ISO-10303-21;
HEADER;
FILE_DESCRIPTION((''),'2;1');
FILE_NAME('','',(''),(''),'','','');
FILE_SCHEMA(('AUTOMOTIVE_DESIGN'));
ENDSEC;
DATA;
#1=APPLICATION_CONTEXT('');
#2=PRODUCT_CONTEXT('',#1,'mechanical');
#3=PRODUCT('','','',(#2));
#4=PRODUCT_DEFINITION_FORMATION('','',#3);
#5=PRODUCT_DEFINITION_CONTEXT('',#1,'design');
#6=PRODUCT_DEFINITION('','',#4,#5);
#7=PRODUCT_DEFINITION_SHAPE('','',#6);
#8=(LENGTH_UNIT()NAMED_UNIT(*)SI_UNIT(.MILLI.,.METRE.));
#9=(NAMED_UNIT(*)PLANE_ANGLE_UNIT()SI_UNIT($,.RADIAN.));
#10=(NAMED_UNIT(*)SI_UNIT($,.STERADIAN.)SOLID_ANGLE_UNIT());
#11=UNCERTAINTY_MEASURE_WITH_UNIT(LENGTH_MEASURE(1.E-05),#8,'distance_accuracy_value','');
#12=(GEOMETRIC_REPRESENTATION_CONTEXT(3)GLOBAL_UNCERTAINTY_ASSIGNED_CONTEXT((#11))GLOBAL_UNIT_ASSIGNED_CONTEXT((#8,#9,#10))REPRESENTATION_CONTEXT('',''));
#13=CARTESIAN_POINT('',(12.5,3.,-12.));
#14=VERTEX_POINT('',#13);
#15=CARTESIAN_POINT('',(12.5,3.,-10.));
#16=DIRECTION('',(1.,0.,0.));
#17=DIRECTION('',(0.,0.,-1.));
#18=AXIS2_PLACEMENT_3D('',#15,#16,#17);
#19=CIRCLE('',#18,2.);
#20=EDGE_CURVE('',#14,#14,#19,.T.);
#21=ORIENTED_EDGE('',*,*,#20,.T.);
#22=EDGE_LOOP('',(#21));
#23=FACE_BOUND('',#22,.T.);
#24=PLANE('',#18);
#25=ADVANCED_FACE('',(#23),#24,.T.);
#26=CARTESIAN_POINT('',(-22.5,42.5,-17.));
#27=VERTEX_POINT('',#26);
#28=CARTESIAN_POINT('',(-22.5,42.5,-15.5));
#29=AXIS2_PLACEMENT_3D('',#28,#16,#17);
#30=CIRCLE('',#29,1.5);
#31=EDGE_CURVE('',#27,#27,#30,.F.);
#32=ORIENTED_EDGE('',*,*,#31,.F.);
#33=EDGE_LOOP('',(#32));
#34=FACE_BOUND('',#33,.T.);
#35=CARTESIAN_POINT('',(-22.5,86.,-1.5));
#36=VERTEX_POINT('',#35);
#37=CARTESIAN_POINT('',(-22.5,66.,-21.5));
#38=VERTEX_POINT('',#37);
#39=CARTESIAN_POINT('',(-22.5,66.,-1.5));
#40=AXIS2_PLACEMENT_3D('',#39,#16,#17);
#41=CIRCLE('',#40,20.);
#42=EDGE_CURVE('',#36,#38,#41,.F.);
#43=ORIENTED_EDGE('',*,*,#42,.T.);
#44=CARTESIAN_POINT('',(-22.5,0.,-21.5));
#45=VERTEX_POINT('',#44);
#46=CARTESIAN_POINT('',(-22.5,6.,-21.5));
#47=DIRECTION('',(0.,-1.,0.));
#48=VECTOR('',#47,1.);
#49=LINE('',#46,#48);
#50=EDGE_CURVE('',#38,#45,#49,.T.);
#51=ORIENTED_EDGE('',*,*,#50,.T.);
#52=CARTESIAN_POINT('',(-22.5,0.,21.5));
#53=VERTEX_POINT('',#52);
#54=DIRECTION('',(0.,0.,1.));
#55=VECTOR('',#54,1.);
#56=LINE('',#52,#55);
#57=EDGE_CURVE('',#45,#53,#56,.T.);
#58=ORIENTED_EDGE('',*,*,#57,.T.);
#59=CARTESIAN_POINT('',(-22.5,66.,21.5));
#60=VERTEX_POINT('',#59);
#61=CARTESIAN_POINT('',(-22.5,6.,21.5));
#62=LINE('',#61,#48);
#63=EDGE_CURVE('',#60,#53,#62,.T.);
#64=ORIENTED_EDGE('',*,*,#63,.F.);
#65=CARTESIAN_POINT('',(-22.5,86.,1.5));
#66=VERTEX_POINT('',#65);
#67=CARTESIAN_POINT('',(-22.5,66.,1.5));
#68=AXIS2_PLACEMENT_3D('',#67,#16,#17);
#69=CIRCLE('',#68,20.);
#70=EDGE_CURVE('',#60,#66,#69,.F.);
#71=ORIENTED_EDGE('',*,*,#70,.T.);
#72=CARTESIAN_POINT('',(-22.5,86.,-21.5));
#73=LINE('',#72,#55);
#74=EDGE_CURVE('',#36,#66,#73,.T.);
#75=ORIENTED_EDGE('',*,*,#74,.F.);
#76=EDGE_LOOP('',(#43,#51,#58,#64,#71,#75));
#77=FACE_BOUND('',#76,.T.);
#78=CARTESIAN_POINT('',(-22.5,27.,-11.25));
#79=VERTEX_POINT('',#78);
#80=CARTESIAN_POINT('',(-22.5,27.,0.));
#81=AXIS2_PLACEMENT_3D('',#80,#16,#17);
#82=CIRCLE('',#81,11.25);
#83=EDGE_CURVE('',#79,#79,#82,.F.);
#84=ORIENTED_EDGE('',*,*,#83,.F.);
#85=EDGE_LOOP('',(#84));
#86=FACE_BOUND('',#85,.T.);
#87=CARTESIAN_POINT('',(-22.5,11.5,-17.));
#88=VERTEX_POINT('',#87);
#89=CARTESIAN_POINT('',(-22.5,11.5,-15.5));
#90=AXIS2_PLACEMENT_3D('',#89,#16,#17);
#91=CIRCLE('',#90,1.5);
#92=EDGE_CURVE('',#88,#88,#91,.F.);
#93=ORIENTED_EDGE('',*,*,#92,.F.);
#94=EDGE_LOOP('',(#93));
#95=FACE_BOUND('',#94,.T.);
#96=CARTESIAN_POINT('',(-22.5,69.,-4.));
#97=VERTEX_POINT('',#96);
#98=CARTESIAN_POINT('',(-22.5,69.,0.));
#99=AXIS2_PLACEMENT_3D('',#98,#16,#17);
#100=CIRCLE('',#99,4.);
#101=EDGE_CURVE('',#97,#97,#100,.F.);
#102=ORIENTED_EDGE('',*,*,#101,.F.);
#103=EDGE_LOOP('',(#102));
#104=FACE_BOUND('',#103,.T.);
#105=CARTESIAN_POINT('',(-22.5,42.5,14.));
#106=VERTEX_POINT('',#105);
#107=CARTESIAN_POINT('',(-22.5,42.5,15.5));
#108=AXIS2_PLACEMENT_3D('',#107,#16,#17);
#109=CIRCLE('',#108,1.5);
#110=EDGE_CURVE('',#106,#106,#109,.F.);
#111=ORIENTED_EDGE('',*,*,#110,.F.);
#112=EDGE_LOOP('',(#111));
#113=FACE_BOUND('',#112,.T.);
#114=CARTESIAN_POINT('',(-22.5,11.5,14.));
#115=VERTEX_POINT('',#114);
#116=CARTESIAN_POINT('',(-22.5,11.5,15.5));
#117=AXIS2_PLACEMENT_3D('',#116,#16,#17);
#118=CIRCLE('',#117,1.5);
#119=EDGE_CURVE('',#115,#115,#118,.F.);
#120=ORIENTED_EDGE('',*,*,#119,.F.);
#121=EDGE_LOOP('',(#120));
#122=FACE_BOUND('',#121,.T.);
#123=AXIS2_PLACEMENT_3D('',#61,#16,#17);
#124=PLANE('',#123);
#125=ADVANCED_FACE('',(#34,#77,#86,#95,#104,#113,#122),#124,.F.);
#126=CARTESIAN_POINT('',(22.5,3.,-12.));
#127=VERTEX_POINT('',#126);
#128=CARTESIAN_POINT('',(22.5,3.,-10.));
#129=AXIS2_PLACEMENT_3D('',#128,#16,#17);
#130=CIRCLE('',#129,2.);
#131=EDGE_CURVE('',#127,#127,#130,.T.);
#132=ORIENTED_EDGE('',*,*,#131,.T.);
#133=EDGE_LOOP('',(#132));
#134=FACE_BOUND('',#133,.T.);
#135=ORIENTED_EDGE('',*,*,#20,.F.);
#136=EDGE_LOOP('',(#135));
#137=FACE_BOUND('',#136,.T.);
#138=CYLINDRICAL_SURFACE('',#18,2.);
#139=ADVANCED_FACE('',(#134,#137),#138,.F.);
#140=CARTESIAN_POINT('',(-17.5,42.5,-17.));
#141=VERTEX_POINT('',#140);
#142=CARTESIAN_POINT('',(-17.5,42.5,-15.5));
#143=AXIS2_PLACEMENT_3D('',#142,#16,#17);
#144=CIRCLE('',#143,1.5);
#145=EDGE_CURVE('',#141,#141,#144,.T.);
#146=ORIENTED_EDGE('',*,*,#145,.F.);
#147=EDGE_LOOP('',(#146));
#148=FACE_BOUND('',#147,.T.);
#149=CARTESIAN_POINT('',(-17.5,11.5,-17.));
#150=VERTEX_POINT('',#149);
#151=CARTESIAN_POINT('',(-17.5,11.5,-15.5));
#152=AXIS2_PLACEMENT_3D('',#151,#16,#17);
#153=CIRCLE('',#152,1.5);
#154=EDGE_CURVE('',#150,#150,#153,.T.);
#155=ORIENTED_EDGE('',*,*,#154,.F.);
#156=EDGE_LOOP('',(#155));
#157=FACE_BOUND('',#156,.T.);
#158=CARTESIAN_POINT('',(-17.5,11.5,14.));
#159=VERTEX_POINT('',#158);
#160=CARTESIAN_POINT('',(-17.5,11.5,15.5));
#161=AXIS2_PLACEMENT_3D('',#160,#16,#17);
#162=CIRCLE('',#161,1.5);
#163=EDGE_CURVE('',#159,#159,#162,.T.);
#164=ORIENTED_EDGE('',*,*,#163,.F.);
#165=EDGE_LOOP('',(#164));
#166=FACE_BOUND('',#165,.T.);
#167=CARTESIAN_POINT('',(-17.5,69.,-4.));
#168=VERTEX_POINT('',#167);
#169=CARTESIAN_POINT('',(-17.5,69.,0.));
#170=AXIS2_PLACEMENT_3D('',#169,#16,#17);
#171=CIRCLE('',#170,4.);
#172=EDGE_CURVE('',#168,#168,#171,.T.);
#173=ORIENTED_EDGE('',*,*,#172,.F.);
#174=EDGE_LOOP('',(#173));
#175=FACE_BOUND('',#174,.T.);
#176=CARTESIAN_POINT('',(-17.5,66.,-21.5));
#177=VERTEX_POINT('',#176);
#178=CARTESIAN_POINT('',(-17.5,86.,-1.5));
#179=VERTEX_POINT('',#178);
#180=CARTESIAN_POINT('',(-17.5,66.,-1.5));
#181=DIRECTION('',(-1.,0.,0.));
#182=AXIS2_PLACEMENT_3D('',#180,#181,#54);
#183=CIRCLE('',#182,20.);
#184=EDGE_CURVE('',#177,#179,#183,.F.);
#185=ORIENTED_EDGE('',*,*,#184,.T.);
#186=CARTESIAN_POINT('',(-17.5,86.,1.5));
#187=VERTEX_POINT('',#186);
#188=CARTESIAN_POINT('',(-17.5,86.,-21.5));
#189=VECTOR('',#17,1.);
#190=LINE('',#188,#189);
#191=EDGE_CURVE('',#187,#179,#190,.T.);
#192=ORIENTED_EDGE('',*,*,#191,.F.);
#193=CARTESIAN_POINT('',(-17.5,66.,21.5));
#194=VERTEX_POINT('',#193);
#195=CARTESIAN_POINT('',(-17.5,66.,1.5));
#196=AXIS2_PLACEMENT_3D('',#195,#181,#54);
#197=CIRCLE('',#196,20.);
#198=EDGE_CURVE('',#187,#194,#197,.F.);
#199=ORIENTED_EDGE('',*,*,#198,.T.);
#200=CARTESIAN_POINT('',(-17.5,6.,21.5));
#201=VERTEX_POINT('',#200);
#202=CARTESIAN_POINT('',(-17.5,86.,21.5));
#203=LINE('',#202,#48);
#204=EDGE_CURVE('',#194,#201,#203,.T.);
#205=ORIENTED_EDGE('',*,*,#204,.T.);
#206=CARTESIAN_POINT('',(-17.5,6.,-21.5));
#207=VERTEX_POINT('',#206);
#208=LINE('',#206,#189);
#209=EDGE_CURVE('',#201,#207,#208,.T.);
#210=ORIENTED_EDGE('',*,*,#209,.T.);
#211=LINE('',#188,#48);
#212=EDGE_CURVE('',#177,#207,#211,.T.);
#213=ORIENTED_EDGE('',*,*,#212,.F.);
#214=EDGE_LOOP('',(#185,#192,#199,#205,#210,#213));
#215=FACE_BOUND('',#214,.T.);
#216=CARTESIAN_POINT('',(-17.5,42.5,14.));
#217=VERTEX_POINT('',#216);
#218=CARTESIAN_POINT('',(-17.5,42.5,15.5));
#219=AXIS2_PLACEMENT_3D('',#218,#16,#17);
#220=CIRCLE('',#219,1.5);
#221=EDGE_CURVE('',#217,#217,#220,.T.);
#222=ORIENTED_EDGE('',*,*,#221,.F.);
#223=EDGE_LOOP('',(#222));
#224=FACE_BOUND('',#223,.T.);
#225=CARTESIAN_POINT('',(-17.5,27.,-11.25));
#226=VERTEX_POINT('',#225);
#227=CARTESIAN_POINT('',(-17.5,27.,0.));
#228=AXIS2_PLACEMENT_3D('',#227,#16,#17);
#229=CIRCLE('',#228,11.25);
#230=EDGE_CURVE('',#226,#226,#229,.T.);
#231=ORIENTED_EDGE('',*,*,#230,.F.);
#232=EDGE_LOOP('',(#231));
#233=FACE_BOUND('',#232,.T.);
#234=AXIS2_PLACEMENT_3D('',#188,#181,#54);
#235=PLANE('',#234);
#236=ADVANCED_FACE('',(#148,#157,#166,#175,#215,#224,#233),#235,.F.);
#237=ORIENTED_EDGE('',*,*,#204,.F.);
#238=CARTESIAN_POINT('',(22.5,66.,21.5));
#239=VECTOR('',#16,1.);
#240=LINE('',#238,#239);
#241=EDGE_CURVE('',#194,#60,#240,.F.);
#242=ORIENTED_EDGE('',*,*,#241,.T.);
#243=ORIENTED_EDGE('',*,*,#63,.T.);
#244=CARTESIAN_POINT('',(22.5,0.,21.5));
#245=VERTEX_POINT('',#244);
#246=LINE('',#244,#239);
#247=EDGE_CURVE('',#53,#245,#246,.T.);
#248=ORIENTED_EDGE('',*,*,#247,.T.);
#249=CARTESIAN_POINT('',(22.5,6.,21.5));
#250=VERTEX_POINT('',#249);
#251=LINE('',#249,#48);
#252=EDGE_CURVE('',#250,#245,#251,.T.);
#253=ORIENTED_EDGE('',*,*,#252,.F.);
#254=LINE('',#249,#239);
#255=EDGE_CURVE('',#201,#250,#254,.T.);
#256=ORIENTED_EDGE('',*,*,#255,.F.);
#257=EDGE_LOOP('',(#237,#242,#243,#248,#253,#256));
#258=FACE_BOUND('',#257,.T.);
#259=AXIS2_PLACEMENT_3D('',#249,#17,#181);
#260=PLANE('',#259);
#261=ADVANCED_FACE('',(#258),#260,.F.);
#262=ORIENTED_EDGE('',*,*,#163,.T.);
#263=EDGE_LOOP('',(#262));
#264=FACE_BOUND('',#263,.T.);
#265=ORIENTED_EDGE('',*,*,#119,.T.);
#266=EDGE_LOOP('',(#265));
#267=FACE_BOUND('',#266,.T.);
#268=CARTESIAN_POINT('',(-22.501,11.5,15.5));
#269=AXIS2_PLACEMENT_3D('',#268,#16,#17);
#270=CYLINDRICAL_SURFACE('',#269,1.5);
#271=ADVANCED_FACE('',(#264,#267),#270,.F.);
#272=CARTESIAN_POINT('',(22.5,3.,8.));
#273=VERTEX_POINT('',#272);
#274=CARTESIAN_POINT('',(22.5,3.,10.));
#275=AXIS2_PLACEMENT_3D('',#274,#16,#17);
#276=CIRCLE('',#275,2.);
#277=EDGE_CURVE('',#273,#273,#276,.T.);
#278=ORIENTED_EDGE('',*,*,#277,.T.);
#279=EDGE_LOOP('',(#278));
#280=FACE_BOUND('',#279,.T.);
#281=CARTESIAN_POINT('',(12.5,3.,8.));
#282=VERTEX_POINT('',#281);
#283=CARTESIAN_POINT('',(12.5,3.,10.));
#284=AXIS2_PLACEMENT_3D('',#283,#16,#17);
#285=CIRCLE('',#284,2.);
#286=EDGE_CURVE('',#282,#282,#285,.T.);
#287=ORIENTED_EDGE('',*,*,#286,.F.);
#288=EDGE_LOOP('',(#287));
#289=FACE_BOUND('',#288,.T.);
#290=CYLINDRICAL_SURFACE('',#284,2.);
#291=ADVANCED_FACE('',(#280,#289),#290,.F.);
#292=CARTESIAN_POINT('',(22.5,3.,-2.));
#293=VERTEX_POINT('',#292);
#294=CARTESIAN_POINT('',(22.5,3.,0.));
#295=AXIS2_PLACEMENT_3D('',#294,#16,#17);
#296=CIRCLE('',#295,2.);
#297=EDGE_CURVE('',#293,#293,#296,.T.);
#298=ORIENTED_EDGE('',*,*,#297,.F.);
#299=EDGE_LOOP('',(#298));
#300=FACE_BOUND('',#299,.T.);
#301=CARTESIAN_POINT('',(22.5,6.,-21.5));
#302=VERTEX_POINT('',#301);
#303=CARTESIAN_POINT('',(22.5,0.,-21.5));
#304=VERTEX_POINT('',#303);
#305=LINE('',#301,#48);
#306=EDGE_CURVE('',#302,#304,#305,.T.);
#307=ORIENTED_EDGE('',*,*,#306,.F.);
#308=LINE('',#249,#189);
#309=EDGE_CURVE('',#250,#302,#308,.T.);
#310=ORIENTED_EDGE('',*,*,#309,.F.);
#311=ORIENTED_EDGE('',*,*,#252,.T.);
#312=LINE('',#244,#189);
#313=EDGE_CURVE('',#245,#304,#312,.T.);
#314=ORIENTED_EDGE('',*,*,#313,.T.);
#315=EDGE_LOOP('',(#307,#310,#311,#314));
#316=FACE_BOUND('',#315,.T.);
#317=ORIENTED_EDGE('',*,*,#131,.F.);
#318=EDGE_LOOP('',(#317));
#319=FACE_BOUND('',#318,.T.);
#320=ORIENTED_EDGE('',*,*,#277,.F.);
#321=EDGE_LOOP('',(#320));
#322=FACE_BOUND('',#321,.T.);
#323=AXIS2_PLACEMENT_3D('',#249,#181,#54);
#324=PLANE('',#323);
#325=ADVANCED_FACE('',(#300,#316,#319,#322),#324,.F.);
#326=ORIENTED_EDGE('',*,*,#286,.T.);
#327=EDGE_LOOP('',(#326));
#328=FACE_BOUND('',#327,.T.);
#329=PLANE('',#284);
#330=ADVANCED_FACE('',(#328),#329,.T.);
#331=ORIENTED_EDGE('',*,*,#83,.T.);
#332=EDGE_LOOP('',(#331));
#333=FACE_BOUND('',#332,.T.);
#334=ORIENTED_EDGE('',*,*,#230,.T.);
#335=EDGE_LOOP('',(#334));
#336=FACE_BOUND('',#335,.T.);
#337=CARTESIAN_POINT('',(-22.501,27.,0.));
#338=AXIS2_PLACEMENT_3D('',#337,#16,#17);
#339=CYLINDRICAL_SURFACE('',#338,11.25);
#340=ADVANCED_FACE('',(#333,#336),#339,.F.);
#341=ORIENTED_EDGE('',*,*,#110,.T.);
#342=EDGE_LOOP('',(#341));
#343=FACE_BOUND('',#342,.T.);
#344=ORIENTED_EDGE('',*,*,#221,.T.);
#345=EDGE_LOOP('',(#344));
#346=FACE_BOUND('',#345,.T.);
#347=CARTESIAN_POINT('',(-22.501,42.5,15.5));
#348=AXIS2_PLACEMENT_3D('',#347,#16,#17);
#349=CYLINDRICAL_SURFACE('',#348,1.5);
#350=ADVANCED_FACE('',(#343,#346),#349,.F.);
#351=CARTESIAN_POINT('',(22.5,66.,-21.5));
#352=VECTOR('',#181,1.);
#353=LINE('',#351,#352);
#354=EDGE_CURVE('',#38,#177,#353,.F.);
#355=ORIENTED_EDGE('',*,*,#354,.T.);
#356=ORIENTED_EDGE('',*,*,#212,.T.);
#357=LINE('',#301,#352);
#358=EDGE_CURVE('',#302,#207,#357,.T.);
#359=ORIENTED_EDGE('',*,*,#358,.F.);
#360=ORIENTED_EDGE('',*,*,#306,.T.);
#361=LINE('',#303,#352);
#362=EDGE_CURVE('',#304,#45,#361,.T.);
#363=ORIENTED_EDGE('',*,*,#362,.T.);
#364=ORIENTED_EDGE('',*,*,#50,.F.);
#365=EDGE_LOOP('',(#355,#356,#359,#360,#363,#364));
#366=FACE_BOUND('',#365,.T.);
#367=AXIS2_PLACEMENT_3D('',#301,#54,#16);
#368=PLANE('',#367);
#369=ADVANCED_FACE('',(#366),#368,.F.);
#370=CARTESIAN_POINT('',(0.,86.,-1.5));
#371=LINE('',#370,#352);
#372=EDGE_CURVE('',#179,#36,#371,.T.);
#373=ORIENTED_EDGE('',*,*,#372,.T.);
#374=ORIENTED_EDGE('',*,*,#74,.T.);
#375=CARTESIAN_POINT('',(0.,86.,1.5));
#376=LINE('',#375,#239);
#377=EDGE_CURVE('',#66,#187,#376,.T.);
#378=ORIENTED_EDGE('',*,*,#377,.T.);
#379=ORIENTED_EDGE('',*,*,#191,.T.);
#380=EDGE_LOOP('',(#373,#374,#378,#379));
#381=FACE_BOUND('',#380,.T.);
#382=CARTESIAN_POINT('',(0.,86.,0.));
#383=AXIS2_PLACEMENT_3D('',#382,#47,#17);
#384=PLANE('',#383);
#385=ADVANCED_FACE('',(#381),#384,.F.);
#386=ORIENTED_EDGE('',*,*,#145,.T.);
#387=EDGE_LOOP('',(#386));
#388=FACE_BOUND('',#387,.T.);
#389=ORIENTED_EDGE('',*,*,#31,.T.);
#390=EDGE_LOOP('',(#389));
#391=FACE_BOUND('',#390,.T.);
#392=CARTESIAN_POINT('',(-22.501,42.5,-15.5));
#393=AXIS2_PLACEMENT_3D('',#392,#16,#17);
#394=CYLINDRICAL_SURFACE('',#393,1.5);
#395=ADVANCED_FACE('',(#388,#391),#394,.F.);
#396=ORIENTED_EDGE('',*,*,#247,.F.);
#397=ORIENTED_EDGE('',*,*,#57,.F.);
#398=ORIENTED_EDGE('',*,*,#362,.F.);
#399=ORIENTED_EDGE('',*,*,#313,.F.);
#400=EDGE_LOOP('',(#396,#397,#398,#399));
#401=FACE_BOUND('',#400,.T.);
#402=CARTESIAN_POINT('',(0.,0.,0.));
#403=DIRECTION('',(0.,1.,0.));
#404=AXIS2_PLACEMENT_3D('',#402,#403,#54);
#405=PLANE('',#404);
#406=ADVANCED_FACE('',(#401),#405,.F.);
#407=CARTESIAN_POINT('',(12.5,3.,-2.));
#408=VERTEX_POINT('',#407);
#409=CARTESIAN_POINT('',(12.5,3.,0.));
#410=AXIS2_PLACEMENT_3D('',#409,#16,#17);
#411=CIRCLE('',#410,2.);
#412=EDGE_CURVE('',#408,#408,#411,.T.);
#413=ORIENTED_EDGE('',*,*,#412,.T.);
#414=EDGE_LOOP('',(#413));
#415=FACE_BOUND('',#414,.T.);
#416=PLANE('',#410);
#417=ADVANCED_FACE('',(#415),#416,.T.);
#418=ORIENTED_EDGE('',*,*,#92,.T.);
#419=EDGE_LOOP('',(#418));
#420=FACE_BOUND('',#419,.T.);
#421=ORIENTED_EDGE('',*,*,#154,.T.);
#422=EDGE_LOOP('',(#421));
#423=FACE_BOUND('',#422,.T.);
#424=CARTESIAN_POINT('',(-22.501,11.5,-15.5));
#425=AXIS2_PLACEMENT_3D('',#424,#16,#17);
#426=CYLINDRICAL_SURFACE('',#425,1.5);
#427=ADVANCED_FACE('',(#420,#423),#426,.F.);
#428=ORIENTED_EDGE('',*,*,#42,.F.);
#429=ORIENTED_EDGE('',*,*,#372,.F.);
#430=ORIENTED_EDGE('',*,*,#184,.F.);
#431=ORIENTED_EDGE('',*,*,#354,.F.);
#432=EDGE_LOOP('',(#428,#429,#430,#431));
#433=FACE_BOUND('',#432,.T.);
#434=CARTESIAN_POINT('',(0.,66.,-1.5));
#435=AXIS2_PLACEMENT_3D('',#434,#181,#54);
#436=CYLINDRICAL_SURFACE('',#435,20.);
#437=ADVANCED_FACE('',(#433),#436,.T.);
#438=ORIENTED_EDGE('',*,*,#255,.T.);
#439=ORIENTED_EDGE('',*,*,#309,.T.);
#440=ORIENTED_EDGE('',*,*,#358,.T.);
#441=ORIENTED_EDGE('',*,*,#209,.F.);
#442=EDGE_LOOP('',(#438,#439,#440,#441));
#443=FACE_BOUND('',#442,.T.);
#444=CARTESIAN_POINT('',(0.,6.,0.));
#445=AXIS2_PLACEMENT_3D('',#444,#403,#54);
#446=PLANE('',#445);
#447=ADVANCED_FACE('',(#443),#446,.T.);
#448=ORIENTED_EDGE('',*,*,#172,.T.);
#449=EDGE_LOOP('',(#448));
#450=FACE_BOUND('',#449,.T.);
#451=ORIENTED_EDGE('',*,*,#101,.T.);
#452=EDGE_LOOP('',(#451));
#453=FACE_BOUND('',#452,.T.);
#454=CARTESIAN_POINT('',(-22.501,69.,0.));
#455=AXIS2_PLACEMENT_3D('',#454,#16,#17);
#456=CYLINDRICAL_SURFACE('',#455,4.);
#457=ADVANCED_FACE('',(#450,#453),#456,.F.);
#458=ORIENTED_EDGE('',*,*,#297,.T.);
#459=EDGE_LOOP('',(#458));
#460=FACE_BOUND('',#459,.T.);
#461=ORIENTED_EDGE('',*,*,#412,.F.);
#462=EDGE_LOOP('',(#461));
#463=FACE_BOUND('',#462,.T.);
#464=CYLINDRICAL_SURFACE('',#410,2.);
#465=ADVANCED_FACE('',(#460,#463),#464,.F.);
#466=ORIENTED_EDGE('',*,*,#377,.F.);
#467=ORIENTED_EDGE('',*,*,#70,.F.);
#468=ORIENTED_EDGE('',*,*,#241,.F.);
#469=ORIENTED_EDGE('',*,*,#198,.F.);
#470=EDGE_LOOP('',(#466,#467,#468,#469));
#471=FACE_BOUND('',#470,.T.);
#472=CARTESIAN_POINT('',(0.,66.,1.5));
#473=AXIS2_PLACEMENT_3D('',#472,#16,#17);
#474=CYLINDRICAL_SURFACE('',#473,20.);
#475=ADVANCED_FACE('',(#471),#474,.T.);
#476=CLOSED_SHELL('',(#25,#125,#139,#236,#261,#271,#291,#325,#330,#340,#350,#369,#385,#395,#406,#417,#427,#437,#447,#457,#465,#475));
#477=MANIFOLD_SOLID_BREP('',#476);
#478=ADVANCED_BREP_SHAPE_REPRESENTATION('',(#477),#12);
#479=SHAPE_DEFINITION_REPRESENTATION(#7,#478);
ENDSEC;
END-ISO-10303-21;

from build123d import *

# Parameters (mm, degrees)
SKETCH1_W           = 45
SKETCH1_H           = 43
BOSS_EXTRUDE1_DEPTH = 6
SKETCH2_W           = 5
SKETCH2_H           = 43
BOSS_EXTRUDE2_DEPTH = 80
CUT_EXTRUDE1_REACH  = 99.254
SKETCH3_R           = 11.25
SKETCH3_R_2         = 1.5
CUT_EXTRUDE2_REACH  = 99.254
SKETCH4_R           = 4
FILLET1_R           = 20
SKETCH6_R           = 2
CUT_EXTRUDE4_DEPTH  = 10


with BuildPart() as part:
    # Sketch1 → Boss-Extrude1 (new body)
    with BuildSketch(Plane(origin=(0, 0, 0), x_dir=(1, 0, 0), z_dir=(0, 1, 0))):
        Rectangle(SKETCH1_W, SKETCH1_H)
    extrude(amount=BOSS_EXTRUDE1_DEPTH)

    # Sketch2 → Boss-Extrude2 (add)
    with BuildSketch(Plane(origin=(0, 6, 0), x_dir=(1, 0, 0), z_dir=(0, 1, 0))):
        with Locations((-20, 0)):
            Rectangle(SKETCH2_W, SKETCH2_H)
    extrude(amount=BOSS_EXTRUDE2_DEPTH)

    # Sketch3 → Cut-Extrude1 (cut, up to next)
    with BuildSketch(Plane(origin=(-17.5, 0, 0), x_dir=(0, 0, -1), z_dir=(1, 0, 0)), mode=Mode.PRIVATE) as cut_extrude1_sk1:
        with Locations((0, 27)):
            Circle(SKETCH3_R)
    cut_extrude1_tool1 = extrude(cut_extrude1_sk1.sketch, amount=-CUT_EXTRUDE1_REACH, mode=Mode.PRIVATE) & part.part
    # Sketch3 → Cut-Extrude1 (cut, up to next)
    with BuildSketch(Plane(origin=(-17.5, 0, 0), x_dir=(0, 0, -1), z_dir=(1, 0, 0)), mode=Mode.PRIVATE) as cut_extrude1_sk2:
        with Locations((-15.5, 42.5)):
            Circle(SKETCH3_R_2)
    cut_extrude1_tool2 = extrude(cut_extrude1_sk2.sketch, amount=-CUT_EXTRUDE1_REACH, mode=Mode.PRIVATE) & part.part
    # Sketch3 → Cut-Extrude1 (cut, up to next)
    with BuildSketch(Plane(origin=(-17.5, 0, 0), x_dir=(0, 0, -1), z_dir=(1, 0, 0)), mode=Mode.PRIVATE) as cut_extrude1_sk3:
        with Locations((15.5, 42.5)):
            Circle(SKETCH3_R_2)
    cut_extrude1_tool3 = extrude(cut_extrude1_sk3.sketch, amount=-CUT_EXTRUDE1_REACH, mode=Mode.PRIVATE) & part.part
    # Sketch3 → Cut-Extrude1 (cut, up to next)
    with BuildSketch(Plane(origin=(-17.5, 0, 0), x_dir=(0, 0, -1), z_dir=(1, 0, 0)), mode=Mode.PRIVATE) as cut_extrude1_sk4:
        with Locations((15.5, 11.5)):
            Circle(SKETCH3_R_2)
    cut_extrude1_tool4 = extrude(cut_extrude1_sk4.sketch, amount=-CUT_EXTRUDE1_REACH, mode=Mode.PRIVATE) & part.part
    # Sketch3 → Cut-Extrude1 (cut, up to next)
    with BuildSketch(Plane(origin=(-17.5, 0, 0), x_dir=(0, 0, -1), z_dir=(1, 0, 0)), mode=Mode.PRIVATE) as cut_extrude1_sk5:
        with Locations((-15.5, 11.5)):
            Circle(SKETCH3_R_2)
    cut_extrude1_tool5 = extrude(cut_extrude1_sk5.sketch, amount=-CUT_EXTRUDE1_REACH, mode=Mode.PRIVATE) & part.part
    add(cut_extrude1_tool1.solids().sort_by_distance((-17.5, 27, 0))[0], mode=Mode.SUBTRACT)
    add(cut_extrude1_tool2.solids().sort_by_distance((-17.5, 42.5, 15.5))[0], mode=Mode.SUBTRACT)
    add(cut_extrude1_tool3.solids().sort_by_distance((-17.5, 42.5, -15.5))[0], mode=Mode.SUBTRACT)
    add(cut_extrude1_tool4.solids().sort_by_distance((-17.5, 11.5, -15.5))[0], mode=Mode.SUBTRACT)
    add(cut_extrude1_tool5.solids().sort_by_distance((-17.5, 11.5, 15.5))[0], mode=Mode.SUBTRACT)

    # Sketch4 → Cut-Extrude2 (cut, up to next)
    with BuildSketch(Plane(origin=(-17.5, 0, 0), x_dir=(0, 0, -1), z_dir=(1, 0, 0)), mode=Mode.PRIVATE) as cut_extrude2_sk1:
        with Locations((0, 69)):
            Circle(SKETCH4_R)
    cut_extrude2_tool1 = extrude(cut_extrude2_sk1.sketch, amount=-CUT_EXTRUDE2_REACH, mode=Mode.PRIVATE) & part.part
    add(cut_extrude2_tool1.solids().sort_by_distance((-17.5, 69, 0))[0], mode=Mode.SUBTRACT)

    # Fillet1
    fillet1_edges = [part.edges().sort_by_distance(p)[0] for p in [
        (-20, 86, -21.5),
        (-20, 86, 21.5),
    ]]
    fillet(fillet1_edges, radius=FILLET1_R)

    # Sketch6 → Cut-Extrude4 (cut)
    with BuildSketch(Plane(origin=(22.5, 0, 0), x_dir=(0, 0, -1), z_dir=(1, 0, 0))):
        with Locations((0, 3)):
            Circle(SKETCH6_R)
        with Locations((10, 3)):
            Circle(SKETCH6_R)
        with Locations((-10, 3)):
            Circle(SKETCH6_R)
    extrude(amount=-CUT_EXTRUDE4_DEPTH, mode=Mode.SUBTRACT)


solid = part.part
